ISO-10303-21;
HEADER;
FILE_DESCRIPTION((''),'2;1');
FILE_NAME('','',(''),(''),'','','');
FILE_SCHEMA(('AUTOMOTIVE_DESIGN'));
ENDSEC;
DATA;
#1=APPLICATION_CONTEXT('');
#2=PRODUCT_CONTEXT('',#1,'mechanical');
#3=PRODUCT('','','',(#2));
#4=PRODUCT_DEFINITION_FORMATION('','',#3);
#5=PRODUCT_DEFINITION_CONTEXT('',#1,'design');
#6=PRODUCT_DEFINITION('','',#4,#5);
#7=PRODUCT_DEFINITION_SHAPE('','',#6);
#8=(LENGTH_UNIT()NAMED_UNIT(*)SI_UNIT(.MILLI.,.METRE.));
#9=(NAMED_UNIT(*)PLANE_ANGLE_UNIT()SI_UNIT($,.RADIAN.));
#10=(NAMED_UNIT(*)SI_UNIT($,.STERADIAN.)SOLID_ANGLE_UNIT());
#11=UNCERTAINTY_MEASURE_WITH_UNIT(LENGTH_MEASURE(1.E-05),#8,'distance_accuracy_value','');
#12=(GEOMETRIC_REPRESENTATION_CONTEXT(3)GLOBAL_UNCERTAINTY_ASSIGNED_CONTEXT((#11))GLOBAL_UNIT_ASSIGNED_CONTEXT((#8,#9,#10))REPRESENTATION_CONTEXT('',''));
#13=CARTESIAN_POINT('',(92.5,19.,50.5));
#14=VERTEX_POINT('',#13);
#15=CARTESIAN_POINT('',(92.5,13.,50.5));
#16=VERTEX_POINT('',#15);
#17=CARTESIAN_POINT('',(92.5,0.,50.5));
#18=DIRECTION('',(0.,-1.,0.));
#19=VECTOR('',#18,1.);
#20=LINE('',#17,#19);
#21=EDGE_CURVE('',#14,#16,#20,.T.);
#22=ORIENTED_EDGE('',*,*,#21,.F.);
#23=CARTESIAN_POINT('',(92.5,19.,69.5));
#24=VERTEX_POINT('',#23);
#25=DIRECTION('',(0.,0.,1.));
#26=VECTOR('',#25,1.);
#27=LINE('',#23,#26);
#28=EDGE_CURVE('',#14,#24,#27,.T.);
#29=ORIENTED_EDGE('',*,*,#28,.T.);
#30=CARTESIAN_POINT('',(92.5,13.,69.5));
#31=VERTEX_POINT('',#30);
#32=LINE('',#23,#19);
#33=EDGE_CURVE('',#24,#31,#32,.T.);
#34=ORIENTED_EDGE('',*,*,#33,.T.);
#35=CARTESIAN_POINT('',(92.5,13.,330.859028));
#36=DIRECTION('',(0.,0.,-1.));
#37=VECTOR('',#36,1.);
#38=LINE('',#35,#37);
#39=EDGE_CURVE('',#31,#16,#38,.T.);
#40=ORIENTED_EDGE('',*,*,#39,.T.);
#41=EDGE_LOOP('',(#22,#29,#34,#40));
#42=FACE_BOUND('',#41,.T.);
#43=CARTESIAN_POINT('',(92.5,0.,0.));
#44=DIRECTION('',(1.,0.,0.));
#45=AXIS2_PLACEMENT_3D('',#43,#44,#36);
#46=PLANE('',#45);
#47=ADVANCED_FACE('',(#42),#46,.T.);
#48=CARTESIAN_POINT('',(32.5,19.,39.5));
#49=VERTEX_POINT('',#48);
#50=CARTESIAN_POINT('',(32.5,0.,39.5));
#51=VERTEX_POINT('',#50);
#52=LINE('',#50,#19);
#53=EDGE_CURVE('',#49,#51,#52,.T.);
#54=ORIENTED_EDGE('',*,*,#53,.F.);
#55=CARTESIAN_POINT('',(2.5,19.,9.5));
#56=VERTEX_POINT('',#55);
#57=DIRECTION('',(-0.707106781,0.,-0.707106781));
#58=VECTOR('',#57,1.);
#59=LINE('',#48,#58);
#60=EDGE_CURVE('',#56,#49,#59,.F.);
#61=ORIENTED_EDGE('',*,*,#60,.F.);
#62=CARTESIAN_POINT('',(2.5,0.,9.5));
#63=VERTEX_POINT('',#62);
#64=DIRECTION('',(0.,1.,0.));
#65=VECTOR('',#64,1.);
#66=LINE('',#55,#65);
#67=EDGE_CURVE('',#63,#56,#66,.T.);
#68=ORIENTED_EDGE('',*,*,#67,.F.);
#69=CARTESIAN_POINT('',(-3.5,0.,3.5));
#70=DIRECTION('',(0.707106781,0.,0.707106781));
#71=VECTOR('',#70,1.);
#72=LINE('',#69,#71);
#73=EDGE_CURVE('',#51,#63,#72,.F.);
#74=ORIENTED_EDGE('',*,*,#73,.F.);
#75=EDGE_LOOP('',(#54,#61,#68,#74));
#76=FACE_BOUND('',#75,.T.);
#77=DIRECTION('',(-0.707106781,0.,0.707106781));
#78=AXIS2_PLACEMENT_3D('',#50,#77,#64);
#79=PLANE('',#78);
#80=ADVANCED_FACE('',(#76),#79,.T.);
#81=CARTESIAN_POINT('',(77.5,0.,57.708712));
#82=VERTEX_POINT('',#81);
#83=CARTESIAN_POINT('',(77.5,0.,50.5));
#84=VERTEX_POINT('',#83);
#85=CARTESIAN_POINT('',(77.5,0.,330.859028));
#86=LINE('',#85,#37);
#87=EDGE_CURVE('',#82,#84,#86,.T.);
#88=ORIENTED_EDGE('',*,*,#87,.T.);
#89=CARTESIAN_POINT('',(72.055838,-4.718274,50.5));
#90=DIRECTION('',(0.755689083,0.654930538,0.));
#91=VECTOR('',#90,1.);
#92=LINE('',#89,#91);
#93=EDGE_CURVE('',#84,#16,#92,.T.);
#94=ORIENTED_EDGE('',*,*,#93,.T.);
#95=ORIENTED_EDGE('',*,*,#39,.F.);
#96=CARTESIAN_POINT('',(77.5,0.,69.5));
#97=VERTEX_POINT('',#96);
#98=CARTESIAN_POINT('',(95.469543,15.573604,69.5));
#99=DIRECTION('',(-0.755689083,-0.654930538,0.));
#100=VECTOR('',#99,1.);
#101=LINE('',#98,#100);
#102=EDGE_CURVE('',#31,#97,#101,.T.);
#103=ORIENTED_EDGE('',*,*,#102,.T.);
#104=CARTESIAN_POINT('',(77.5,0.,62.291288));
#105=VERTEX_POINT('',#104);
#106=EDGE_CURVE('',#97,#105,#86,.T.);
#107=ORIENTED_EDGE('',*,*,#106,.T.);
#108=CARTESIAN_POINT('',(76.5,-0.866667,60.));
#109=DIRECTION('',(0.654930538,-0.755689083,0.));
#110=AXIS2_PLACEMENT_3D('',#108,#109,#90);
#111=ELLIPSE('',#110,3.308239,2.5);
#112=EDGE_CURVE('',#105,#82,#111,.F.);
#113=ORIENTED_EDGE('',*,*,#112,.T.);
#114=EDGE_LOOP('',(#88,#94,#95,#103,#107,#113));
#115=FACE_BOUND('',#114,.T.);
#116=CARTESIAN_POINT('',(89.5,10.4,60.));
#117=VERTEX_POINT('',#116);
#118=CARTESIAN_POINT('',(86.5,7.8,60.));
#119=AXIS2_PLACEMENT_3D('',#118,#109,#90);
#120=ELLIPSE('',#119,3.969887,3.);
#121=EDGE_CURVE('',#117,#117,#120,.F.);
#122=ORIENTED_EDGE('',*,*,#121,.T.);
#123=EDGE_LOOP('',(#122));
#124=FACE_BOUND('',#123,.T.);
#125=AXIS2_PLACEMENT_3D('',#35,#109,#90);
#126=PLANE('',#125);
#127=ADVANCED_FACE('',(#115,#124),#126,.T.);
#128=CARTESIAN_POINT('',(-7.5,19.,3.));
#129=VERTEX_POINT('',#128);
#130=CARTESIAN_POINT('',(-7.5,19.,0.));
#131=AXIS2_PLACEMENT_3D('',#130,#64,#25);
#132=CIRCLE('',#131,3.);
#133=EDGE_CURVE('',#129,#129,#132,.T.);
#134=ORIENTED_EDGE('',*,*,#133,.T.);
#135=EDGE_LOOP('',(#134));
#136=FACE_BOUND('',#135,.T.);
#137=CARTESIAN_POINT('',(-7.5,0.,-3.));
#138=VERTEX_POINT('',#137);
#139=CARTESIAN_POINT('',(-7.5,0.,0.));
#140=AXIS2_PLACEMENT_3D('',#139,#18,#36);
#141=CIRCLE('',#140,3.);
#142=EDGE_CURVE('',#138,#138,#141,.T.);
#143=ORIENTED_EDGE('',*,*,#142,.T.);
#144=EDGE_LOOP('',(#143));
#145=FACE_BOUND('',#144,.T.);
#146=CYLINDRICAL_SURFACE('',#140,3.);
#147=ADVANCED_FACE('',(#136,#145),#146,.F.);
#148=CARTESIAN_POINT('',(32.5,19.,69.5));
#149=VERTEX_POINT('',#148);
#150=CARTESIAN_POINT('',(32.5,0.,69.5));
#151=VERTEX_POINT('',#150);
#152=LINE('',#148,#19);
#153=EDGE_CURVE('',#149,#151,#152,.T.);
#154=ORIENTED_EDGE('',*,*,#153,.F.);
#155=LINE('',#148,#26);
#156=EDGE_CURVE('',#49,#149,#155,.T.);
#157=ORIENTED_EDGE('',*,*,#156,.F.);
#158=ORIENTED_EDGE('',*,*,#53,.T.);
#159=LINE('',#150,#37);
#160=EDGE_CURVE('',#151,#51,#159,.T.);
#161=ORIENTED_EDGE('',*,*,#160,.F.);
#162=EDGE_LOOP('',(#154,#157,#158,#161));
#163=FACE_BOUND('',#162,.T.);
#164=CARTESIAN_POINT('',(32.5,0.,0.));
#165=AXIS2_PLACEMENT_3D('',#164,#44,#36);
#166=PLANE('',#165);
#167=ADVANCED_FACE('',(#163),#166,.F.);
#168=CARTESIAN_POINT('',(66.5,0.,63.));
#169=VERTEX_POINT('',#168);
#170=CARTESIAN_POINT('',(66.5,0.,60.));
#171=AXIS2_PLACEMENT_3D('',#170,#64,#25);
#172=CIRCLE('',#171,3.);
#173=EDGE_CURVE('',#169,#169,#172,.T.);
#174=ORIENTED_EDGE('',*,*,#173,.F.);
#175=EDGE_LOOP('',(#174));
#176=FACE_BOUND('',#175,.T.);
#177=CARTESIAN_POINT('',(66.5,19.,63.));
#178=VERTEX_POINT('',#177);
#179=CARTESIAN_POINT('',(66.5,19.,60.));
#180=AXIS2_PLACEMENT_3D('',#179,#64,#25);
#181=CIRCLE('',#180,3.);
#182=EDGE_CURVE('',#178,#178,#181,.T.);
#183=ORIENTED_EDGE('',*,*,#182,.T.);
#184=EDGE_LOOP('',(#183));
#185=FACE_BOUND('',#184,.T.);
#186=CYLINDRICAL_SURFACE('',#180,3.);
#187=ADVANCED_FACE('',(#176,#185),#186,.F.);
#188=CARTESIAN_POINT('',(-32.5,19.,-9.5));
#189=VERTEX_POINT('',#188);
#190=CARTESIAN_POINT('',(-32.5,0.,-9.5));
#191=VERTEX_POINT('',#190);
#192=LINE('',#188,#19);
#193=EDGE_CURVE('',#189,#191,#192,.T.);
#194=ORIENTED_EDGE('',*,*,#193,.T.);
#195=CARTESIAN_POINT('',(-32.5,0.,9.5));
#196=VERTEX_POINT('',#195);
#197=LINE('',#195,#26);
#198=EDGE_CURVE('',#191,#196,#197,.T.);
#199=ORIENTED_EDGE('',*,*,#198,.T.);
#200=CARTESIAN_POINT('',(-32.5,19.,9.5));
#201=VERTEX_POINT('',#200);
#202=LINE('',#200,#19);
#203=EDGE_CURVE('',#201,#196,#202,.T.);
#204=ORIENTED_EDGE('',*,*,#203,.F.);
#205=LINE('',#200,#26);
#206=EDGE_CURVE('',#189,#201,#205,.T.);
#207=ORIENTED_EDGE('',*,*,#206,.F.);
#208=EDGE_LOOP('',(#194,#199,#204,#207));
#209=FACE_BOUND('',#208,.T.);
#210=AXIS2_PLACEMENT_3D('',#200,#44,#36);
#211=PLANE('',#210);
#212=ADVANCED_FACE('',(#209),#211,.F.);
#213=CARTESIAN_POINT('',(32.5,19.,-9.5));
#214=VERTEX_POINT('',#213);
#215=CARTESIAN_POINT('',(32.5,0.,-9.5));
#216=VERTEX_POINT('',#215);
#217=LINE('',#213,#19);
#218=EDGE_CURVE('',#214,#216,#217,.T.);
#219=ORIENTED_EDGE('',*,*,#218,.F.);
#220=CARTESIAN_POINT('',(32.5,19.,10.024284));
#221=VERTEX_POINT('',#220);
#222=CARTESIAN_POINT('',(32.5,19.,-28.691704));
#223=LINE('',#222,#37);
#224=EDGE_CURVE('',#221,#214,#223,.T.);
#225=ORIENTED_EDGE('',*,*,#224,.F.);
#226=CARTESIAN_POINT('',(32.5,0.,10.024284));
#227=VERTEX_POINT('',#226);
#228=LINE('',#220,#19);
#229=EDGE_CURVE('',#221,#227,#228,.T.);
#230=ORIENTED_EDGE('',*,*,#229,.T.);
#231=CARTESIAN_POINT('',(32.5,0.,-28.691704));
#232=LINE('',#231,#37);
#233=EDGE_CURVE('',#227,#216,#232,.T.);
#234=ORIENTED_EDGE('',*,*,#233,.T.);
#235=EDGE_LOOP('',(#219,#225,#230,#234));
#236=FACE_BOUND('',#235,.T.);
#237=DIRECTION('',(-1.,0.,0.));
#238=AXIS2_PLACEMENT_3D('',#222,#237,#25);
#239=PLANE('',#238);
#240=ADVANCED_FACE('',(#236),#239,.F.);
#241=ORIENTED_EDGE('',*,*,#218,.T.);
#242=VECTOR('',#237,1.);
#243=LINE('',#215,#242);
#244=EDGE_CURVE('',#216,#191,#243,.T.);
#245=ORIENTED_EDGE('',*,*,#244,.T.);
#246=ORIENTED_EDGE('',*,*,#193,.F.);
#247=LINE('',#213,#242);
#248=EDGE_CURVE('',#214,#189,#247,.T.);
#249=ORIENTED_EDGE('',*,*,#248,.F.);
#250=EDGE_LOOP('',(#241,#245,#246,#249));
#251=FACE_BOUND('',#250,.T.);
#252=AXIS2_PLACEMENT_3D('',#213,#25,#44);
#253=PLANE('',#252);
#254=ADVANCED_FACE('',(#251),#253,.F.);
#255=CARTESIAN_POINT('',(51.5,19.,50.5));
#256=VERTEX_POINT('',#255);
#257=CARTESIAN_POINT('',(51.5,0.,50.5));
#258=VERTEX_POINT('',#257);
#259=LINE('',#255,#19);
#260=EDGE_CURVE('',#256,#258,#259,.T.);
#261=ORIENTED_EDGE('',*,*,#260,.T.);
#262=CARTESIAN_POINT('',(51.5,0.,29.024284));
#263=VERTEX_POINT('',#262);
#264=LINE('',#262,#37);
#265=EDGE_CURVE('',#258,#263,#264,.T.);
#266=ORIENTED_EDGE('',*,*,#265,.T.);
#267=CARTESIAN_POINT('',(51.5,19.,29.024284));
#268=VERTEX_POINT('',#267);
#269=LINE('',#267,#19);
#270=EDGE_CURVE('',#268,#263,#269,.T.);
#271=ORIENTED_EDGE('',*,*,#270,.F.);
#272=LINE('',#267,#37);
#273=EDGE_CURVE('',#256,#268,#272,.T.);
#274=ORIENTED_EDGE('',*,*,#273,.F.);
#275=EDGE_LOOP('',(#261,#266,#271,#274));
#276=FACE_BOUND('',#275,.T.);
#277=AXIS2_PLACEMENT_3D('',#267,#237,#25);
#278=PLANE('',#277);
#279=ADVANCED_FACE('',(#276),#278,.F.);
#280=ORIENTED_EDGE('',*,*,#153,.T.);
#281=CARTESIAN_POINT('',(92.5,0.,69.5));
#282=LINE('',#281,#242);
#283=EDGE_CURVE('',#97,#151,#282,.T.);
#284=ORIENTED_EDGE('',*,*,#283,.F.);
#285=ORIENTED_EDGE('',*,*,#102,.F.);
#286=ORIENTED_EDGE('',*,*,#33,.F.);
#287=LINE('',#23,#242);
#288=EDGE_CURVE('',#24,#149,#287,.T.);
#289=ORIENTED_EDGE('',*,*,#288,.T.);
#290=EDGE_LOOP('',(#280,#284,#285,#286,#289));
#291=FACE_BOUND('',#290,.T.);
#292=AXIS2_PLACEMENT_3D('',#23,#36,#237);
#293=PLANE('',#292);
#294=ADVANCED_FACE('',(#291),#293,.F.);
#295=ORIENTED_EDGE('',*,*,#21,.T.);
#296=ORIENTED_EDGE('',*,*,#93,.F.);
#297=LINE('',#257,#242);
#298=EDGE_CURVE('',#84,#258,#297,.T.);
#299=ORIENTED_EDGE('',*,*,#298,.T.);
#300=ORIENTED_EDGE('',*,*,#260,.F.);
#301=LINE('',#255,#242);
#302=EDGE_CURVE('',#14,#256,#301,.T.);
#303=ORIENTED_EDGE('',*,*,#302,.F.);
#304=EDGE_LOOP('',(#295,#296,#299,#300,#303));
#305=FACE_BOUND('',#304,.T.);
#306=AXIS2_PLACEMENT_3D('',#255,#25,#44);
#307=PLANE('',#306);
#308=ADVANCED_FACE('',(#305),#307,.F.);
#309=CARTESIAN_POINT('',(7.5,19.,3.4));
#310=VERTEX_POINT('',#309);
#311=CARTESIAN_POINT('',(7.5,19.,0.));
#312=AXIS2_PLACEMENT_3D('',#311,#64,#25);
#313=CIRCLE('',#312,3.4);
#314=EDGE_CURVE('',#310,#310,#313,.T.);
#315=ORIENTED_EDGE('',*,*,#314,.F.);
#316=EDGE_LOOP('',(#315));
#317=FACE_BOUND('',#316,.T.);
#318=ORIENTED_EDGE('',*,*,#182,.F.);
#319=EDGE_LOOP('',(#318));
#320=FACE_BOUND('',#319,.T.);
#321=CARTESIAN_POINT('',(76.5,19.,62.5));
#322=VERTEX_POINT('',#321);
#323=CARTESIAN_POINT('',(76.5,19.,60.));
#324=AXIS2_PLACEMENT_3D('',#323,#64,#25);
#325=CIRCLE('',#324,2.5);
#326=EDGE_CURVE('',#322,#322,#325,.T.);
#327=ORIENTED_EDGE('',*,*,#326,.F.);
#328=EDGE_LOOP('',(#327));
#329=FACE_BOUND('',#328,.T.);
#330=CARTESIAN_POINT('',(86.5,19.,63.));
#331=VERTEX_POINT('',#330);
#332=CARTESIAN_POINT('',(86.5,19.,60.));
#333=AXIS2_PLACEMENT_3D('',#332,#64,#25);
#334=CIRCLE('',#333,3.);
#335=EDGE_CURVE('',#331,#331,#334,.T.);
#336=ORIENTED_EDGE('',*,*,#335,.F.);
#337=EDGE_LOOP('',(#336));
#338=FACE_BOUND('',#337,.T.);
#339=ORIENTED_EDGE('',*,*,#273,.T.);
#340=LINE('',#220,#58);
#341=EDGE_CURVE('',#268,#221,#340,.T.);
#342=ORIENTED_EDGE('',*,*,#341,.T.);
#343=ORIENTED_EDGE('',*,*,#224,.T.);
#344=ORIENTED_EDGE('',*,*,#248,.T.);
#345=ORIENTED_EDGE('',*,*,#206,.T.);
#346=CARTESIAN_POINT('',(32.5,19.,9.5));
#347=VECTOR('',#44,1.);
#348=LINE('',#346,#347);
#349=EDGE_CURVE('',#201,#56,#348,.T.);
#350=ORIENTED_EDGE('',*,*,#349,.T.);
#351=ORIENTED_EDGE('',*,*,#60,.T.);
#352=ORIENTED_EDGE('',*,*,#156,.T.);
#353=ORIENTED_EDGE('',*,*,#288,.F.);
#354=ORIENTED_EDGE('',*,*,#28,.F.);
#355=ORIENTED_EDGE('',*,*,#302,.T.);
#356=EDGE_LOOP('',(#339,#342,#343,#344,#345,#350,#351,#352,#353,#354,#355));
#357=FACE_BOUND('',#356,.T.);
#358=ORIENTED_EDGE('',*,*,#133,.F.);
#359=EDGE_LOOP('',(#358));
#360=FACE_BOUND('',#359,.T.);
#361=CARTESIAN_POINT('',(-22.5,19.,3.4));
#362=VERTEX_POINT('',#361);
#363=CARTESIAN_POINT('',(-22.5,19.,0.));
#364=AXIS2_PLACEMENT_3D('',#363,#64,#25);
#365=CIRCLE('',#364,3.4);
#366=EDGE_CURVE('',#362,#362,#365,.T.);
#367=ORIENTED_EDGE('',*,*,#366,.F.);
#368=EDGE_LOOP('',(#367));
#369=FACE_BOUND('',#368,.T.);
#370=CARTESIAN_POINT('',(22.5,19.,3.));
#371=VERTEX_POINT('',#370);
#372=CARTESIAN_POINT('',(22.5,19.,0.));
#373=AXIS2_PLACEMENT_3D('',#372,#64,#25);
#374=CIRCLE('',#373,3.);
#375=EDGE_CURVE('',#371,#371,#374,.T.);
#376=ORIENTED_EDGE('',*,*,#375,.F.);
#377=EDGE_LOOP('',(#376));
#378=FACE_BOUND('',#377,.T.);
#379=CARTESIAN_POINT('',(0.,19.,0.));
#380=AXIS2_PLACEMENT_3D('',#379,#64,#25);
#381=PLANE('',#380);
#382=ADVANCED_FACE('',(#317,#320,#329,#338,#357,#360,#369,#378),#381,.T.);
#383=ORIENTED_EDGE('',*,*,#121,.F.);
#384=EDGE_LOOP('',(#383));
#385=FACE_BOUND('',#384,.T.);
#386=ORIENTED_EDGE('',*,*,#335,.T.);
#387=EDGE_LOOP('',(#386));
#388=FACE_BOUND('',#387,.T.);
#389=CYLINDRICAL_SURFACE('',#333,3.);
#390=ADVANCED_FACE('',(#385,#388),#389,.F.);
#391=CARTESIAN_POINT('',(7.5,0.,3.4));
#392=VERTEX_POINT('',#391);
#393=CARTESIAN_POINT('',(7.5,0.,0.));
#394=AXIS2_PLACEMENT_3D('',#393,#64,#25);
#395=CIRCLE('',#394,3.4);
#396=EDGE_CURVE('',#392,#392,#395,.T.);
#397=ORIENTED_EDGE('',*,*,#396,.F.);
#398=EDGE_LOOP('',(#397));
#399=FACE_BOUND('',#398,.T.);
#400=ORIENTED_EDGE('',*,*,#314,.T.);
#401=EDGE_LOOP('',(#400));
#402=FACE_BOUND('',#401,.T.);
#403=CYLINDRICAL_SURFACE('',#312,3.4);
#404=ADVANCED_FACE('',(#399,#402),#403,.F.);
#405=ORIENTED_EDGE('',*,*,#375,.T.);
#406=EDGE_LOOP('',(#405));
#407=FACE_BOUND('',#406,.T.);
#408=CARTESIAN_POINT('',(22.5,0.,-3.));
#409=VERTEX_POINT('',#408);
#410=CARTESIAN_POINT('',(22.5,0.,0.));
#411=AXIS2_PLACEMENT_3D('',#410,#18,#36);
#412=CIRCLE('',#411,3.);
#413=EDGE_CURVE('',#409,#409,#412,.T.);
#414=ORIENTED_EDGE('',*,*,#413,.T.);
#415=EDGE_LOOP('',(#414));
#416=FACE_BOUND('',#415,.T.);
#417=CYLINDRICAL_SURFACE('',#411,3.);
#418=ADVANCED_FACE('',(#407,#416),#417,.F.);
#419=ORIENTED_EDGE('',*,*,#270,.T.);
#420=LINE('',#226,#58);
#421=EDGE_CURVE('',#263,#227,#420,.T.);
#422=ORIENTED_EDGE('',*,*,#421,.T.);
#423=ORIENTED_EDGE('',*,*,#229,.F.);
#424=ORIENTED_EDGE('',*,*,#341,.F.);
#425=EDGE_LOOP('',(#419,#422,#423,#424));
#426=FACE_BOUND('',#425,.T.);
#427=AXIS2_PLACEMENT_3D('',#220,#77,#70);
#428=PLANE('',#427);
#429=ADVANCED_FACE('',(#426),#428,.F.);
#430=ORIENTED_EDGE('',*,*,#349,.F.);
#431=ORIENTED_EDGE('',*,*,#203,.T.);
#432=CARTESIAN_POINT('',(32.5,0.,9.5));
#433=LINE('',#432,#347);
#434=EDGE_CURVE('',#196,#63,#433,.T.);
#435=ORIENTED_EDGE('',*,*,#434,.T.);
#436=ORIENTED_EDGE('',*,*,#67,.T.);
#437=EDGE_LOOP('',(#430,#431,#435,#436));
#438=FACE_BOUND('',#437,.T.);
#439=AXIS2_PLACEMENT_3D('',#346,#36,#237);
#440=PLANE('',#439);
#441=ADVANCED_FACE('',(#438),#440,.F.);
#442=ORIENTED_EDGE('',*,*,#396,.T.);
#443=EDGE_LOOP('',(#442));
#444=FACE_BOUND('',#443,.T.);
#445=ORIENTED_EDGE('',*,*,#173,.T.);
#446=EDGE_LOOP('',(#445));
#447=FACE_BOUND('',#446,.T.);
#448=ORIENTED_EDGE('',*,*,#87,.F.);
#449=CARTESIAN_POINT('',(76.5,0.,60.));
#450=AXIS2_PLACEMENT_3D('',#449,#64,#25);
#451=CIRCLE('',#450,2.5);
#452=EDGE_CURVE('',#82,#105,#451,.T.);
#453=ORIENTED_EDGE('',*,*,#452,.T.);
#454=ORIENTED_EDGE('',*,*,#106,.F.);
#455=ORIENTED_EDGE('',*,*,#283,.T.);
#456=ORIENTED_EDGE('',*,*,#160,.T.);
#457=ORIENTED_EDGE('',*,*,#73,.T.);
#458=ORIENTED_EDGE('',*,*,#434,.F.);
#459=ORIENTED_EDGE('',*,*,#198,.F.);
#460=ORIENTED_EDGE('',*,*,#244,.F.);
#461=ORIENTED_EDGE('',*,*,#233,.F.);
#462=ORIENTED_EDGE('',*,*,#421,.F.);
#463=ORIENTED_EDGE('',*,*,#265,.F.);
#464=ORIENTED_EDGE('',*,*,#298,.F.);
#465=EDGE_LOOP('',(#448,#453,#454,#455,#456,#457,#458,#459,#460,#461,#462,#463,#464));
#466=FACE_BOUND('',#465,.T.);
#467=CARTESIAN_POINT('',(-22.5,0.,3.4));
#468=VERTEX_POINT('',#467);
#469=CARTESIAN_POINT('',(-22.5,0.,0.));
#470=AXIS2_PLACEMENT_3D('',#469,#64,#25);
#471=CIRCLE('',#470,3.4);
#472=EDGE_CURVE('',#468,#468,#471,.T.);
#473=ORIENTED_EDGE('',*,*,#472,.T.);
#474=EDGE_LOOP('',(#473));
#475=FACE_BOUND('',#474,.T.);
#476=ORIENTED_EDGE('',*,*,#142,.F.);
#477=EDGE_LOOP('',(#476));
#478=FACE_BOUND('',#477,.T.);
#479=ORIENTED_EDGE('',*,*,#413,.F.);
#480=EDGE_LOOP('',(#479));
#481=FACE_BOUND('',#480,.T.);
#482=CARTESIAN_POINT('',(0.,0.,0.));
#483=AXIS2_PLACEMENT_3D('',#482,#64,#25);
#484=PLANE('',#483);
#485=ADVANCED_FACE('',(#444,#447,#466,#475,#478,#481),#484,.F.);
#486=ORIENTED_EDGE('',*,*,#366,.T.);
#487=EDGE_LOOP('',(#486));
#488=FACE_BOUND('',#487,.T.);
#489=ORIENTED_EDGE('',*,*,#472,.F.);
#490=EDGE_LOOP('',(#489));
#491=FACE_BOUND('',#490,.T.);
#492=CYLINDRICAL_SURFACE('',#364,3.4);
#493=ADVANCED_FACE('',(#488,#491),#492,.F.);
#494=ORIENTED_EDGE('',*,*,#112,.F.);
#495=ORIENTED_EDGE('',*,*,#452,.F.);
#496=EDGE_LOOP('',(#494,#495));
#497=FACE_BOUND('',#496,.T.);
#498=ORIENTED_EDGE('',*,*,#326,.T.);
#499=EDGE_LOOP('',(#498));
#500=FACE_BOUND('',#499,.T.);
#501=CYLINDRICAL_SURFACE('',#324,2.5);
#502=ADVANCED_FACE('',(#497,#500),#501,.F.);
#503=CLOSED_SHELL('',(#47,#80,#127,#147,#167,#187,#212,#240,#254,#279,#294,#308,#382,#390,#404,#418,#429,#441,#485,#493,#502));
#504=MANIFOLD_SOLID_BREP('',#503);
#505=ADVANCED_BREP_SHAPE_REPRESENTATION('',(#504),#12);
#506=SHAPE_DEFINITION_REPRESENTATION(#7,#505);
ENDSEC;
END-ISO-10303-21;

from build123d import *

# Parameters (mm, degrees)
SKETCH_1_W               = 65
SKETCH_1_H               = 19
EXTRUDE_1_DEPTH          = 19
HOLE_WIZARD_M8_2_D       = 6.8
MM_2_D                   = 6
MM_2_DEPTH               = 20
MM_2_TIP                 = 1.802581857
SKETCH_6_W               = 79
SKETCH_6_H               = 19
EXTRUDE_2_DEPTH          = 60
MM_3_D                   = 6
HOLE_WIZARD_M6_1_D       = 5
CHAMFER_2_SIZE           = 30
CUT_EXTRUDE_1_DEPTH      = 118.249733475
CUT_EXTRUDE_2_DEPTH      = 124.118845024
CUT_EXTRUDE_2_DEPTH_BACK = 124.118845024


with BuildPart() as part:
    # 草图1 → 凸台-拉伸1 (new body)
    with BuildSketch(Plane(origin=(0, 0, 0), x_dir=(1, 0, 0), z_dir=(0, 1, 0))):
        Rectangle(SKETCH_1_W, SKETCH_1_H)
    extrude(amount=EXTRUDE_1_DEPTH)

    # M8 螺纹孔2 (through all)
    with Locations(Plane(origin=(0, 19, 0), x_dir=(1, 0, 0), z_dir=(0, 1, 0))):
        with Locations((-22.5, 0), (7.5, 0)):
            Hole(HOLE_WIZARD_M8_2_D / 2)

    # 大小mm 暗销孔2
    with Locations(Plane.XZ):
        with Locations((-7.5, 0), (22.5, 0)):
            Hole(MM_2_D / 2, depth=MM_2_DEPTH)
            with Locations((0, 0, -(MM_2_DEPTH + MM_2_TIP / 2))):  # 118° drill point
                Cone(0, MM_2_D / 2, MM_2_TIP, mode=Mode.SUBTRACT)

    # 草图6 → 凸台-拉伸2 (add)
    with BuildSketch(Plane(origin=(32.5, 0, 0), x_dir=(0, 0, -1), z_dir=(1, 0, 0))):
        with Locations((-30, 9.5)):
            Rectangle(SKETCH_6_W, SKETCH_6_H)
    extrude(amount=EXTRUDE_2_DEPTH)

    # 大小mm 暗销孔3 (through all)
    with Locations(Plane(origin=(0, 19, 0), x_dir=(1, 0, 0), z_dir=(0, 1, 0))):
        with Locations((86.5, -60), (66.5, -60)):
            Hole(MM_3_D / 2)

    # M6 螺纹孔1 (through all)
    with Locations(Plane(origin=(0, 19, 0), x_dir=(1, 0, 0), z_dir=(0, 1, 0))):
        with Locations((76.5, -60)):
            Hole(HOLE_WIZARD_M6_1_D / 2)

    # 倒角2
    chamfer_2_edges = [part.edges().sort_by_distance(p)[0] for p in [
        (32.5, 9.5, 9.5),
    ]]
    chamfer(chamfer_2_edges, length=CHAMFER_2_SIZE)

    # 草图11 → 切除-拉伸1 (cut, through all)
    with BuildSketch(Plane(origin=(0, 0, 0), x_dir=(-1, 0, 0), z_dir=(0, -1, 0))):
        Polygon((-51.5, -50.5), (-95.074786325, -50.5), (-95.074786325, 28.691704374), (-32.5, 28.691704374), (-32.5, -10.02428356), (-51.5, -29.02428356), align=None)
    extrude(amount=-CUT_EXTRUDE_1_DEPTH, mode=Mode.SUBTRACT)

    # 草图12 → 切除-拉伸2 (cut, two sides: drawn at the far end of the back side and taken through both)
    with BuildSketch(Plane.XY.offset(69.5).offset(-CUT_EXTRUDE_2_DEPTH_BACK)):
        Polygon((289.998105351, 184.165024638), (92.5, 13), (77.5, 0), (-119.998105351, -171.165024638), (222.331943924, -566.16123534), (632.328154627, -210.831186065), align=None)
    extrude(amount=CUT_EXTRUDE_2_DEPTH + CUT_EXTRUDE_2_DEPTH_BACK, mode=Mode.SUBTRACT)


solid = part.part
